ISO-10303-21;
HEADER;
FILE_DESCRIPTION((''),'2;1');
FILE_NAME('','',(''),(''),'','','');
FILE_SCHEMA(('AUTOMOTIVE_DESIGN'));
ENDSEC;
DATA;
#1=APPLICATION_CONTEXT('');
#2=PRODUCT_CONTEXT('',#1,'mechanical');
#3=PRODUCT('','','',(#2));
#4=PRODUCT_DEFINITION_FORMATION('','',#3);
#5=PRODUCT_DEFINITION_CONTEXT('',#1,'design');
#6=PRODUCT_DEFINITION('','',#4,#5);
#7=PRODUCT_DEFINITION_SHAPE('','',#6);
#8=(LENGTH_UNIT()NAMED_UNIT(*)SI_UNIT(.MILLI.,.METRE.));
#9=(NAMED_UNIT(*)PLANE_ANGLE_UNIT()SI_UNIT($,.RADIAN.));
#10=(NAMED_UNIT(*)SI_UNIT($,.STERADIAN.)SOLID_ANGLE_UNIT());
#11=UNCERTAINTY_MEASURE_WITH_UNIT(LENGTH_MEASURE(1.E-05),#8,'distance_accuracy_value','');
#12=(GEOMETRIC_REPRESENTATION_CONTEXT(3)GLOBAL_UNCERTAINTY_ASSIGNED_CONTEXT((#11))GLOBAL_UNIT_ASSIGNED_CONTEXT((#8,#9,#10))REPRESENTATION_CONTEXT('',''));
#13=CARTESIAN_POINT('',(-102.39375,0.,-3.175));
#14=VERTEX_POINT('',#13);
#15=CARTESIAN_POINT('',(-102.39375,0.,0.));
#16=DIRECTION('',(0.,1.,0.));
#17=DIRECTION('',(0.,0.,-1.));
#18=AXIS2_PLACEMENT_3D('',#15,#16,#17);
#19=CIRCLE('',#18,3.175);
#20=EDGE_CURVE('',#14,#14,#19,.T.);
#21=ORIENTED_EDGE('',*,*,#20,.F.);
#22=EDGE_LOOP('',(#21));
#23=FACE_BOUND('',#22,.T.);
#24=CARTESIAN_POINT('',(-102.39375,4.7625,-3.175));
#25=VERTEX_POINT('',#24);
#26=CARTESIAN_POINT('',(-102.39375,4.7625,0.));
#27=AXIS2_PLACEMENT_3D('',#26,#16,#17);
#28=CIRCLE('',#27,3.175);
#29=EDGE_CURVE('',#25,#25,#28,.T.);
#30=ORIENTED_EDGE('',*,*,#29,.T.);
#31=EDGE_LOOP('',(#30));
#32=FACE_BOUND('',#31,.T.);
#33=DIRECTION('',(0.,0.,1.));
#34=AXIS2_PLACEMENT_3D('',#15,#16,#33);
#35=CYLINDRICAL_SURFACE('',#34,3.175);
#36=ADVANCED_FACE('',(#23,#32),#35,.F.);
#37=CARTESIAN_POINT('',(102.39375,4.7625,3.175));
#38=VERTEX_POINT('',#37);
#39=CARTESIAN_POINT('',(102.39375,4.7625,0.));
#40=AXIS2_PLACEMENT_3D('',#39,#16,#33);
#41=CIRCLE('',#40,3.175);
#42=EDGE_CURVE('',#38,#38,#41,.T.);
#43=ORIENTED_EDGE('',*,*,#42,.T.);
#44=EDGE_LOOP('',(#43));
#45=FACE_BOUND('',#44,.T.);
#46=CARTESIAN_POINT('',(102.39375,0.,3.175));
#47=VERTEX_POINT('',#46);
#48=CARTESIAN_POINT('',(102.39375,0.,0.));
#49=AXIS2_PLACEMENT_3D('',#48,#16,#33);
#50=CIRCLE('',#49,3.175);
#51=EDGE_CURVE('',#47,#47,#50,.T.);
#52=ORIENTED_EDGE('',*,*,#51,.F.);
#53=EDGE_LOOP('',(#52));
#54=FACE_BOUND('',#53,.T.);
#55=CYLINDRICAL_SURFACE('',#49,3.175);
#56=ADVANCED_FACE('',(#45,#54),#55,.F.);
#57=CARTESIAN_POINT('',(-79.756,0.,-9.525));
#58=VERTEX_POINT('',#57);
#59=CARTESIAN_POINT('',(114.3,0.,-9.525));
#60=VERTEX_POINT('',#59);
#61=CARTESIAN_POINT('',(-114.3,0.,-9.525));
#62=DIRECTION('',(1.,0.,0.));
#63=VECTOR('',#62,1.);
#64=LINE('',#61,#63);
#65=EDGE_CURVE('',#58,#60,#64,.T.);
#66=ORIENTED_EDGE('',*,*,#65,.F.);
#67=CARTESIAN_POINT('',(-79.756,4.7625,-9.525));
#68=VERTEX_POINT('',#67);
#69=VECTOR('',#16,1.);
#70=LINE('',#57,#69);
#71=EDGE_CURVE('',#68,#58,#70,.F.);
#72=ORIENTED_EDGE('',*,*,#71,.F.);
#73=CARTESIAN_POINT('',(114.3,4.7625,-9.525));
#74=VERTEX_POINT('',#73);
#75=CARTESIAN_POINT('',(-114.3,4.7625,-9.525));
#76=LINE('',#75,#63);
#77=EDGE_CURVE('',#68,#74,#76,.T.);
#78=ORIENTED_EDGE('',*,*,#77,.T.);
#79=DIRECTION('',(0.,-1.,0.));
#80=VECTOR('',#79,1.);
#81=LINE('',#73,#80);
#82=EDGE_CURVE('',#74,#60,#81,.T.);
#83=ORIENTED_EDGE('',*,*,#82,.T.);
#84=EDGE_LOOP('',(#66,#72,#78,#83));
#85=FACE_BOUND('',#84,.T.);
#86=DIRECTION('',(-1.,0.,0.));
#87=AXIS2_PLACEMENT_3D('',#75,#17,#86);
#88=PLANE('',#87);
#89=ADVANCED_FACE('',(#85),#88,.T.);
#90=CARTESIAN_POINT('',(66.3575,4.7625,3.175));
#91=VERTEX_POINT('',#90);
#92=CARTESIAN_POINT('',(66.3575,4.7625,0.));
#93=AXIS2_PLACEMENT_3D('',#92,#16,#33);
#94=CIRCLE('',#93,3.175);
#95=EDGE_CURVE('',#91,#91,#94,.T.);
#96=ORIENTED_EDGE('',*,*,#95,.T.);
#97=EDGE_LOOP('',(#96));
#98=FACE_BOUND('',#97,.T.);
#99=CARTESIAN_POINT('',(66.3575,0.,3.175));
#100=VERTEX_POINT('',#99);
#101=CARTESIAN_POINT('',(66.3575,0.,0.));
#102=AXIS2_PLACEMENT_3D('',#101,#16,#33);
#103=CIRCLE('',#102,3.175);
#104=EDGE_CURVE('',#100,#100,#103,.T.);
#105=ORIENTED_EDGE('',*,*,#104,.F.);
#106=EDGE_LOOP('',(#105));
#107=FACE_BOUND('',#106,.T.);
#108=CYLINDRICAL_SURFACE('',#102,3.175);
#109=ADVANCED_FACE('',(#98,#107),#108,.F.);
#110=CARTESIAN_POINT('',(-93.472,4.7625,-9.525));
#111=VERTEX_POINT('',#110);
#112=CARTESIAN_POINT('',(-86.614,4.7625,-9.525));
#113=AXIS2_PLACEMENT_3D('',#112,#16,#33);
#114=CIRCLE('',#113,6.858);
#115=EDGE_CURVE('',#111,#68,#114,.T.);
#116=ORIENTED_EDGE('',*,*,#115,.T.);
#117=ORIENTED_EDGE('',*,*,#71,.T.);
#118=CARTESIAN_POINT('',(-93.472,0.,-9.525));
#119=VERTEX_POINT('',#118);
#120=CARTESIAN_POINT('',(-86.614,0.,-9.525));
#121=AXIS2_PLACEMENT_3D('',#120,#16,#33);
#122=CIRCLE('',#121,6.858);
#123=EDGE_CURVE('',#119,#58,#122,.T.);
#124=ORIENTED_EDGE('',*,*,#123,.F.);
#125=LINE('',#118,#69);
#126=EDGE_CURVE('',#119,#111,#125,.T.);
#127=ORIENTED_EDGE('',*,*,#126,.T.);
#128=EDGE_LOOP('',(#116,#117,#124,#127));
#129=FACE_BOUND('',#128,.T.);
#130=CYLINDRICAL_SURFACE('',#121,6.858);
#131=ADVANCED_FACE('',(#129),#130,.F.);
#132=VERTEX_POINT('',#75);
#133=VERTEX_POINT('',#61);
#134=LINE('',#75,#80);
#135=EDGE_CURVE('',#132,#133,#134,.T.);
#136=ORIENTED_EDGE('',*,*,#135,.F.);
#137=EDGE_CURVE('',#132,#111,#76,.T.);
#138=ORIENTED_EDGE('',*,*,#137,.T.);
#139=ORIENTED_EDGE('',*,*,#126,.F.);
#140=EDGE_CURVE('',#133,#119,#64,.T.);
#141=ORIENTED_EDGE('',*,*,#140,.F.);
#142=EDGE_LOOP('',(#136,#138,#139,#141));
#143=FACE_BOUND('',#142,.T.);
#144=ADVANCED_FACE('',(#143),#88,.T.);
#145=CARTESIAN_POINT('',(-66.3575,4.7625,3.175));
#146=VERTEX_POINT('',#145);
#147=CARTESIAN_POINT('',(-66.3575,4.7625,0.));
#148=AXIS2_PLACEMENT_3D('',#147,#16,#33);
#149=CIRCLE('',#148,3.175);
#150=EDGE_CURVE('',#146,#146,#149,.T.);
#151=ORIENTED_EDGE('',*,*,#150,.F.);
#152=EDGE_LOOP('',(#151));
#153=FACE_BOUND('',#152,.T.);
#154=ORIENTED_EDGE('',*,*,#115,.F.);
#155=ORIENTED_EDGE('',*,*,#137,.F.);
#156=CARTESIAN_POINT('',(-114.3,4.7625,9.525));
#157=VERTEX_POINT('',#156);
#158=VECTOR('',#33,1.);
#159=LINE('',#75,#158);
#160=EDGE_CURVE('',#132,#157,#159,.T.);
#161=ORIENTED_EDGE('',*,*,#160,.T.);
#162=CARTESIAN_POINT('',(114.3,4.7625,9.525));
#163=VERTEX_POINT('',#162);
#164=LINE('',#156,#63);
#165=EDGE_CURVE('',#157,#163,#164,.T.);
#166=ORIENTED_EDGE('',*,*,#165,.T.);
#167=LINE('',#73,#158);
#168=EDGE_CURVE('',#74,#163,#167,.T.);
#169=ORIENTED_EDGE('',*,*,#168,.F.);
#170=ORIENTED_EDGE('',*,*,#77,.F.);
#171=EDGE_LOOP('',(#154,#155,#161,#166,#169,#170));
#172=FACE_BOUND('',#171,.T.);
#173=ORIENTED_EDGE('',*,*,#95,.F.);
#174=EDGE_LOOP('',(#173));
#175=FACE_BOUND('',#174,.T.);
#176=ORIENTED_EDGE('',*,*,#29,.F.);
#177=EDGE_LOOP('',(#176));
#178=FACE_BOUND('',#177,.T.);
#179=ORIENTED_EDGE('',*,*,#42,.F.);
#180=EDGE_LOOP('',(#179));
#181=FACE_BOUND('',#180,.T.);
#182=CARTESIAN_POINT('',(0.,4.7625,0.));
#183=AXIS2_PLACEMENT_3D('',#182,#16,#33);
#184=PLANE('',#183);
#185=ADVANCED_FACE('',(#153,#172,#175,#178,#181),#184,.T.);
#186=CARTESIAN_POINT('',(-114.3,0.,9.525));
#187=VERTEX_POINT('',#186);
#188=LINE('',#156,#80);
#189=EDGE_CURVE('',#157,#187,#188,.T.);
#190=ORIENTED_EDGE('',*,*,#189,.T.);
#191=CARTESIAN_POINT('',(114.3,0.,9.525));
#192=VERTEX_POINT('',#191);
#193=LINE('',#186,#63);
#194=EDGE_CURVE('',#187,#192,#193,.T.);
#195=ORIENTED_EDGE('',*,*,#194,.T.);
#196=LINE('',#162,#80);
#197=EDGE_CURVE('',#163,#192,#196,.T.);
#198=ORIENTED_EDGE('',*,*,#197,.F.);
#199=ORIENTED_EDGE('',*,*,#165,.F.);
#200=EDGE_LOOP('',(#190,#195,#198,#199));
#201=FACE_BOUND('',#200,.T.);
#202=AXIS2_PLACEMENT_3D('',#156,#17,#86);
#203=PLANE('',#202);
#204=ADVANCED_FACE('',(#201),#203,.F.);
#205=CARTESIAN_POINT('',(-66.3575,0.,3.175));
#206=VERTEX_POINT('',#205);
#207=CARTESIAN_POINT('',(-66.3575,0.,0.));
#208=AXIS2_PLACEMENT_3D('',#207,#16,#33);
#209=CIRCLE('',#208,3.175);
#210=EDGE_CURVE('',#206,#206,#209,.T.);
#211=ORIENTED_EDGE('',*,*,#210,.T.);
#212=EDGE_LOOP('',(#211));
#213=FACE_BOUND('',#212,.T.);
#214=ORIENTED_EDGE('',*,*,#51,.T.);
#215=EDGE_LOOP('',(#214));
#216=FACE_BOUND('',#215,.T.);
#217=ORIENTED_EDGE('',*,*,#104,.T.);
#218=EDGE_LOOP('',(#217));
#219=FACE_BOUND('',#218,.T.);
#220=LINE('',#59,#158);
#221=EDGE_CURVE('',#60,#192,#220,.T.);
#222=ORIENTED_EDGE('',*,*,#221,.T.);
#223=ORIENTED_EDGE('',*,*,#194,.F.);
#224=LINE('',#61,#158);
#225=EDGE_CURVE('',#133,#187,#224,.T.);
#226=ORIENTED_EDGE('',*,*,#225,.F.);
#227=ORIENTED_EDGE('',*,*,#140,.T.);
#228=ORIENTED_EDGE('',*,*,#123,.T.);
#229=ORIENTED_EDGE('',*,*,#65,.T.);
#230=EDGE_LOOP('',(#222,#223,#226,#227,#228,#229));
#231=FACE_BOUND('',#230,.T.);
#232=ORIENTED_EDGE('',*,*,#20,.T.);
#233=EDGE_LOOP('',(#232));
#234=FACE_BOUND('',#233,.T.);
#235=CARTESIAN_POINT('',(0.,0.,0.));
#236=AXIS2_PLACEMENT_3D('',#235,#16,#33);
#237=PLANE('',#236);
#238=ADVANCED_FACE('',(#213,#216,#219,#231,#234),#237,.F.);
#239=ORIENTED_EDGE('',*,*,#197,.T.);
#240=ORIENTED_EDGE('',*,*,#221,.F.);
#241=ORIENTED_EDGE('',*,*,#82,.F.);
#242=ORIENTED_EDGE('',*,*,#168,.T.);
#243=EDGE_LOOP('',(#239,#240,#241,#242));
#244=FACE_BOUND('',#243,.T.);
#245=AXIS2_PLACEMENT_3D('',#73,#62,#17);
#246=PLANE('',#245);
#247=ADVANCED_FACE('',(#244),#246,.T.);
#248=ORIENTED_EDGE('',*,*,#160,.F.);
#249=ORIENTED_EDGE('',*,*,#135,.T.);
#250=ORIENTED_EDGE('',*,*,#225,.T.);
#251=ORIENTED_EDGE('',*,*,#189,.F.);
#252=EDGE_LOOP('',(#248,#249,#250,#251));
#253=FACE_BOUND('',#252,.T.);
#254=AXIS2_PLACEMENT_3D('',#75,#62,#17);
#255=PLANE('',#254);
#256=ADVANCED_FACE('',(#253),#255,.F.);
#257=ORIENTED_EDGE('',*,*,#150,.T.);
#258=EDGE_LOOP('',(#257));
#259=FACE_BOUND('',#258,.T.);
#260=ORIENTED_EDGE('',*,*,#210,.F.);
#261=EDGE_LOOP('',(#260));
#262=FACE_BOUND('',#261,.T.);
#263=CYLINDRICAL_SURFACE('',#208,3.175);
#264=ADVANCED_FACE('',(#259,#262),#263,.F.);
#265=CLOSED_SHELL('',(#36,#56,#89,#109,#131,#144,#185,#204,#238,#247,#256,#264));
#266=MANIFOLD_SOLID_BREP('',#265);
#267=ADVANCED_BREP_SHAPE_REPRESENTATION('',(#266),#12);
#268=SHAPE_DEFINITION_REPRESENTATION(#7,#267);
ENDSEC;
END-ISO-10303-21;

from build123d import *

# Parameters (mm, degrees)
SKETCH1_W           = 228.6
SKETCH1_H           = 19.05
BOSS_EXTRUDE1_DEPTH = 4.7625
SKETCH2_R           = 3.175
CUT_EXTRUDE1_DEPTH  = 5.7625
SKETCH3_R           = 6.858
CUT_EXTRUDE2_DEPTH  = 5.7625
SKETCH4_R           = 3.175
CUT_EXTRUDE3_DEPTH  = 5.7625


with BuildPart() as part:
    # Sketch1 → Boss-Extrude1 (new body)
    with BuildSketch(Plane(origin=(0, 0, 0), x_dir=(1, 0, 0), z_dir=(0, 1, 0))):
        Rectangle(SKETCH1_W, SKETCH1_H)
    extrude(amount=BOSS_EXTRUDE1_DEPTH)

    # Sketch2 → Cut-Extrude1 (cut, through all)
    with BuildSketch(Plane(origin=(0, 4.7625, 0), x_dir=(1, 0, 0), z_dir=(0, 1, 0))):
        with Locations(Location((102.39375, 0, 0), (0, 0, 270))):  # turned: the seam where the file's is
            Circle(SKETCH2_R)
        with Locations(Location((-102.39375, 0, 0), (0, 0, 90))):  # turned: the seam where the file's is
            Circle(SKETCH2_R)
    extrude(amount=-CUT_EXTRUDE1_DEPTH, mode=Mode.SUBTRACT)

    # Sketch3 → Cut-Extrude2 (cut, through all)
    with BuildSketch(Plane(origin=(0, 4.7625, 0), x_dir=(1, 0, 0), z_dir=(0, 1, 0))):
        with Locations((-86.614, 9.525)):
            Circle(SKETCH3_R)
    extrude(amount=-CUT_EXTRUDE2_DEPTH, mode=Mode.SUBTRACT)

    # Sketch4 → Cut-Extrude3 (cut, through all)
    with BuildSketch(Plane(origin=(0, 4.7625, 0), x_dir=(1, 0, 0), z_dir=(0, 1, 0))):
        with Locations(Location((-66.3575, 0, 0), (0, 0, 270))):  # turned: the seam where the file's is
            Circle(SKETCH4_R)
        with Locations(Location((66.3575, 0, 0), (0, 0, 270))):  # turned: the seam where the file's is
            Circle(SKETCH4_R)
    extrude(amount=-CUT_EXTRUDE3_DEPTH, mode=Mode.SUBTRACT)


solid = part.part
